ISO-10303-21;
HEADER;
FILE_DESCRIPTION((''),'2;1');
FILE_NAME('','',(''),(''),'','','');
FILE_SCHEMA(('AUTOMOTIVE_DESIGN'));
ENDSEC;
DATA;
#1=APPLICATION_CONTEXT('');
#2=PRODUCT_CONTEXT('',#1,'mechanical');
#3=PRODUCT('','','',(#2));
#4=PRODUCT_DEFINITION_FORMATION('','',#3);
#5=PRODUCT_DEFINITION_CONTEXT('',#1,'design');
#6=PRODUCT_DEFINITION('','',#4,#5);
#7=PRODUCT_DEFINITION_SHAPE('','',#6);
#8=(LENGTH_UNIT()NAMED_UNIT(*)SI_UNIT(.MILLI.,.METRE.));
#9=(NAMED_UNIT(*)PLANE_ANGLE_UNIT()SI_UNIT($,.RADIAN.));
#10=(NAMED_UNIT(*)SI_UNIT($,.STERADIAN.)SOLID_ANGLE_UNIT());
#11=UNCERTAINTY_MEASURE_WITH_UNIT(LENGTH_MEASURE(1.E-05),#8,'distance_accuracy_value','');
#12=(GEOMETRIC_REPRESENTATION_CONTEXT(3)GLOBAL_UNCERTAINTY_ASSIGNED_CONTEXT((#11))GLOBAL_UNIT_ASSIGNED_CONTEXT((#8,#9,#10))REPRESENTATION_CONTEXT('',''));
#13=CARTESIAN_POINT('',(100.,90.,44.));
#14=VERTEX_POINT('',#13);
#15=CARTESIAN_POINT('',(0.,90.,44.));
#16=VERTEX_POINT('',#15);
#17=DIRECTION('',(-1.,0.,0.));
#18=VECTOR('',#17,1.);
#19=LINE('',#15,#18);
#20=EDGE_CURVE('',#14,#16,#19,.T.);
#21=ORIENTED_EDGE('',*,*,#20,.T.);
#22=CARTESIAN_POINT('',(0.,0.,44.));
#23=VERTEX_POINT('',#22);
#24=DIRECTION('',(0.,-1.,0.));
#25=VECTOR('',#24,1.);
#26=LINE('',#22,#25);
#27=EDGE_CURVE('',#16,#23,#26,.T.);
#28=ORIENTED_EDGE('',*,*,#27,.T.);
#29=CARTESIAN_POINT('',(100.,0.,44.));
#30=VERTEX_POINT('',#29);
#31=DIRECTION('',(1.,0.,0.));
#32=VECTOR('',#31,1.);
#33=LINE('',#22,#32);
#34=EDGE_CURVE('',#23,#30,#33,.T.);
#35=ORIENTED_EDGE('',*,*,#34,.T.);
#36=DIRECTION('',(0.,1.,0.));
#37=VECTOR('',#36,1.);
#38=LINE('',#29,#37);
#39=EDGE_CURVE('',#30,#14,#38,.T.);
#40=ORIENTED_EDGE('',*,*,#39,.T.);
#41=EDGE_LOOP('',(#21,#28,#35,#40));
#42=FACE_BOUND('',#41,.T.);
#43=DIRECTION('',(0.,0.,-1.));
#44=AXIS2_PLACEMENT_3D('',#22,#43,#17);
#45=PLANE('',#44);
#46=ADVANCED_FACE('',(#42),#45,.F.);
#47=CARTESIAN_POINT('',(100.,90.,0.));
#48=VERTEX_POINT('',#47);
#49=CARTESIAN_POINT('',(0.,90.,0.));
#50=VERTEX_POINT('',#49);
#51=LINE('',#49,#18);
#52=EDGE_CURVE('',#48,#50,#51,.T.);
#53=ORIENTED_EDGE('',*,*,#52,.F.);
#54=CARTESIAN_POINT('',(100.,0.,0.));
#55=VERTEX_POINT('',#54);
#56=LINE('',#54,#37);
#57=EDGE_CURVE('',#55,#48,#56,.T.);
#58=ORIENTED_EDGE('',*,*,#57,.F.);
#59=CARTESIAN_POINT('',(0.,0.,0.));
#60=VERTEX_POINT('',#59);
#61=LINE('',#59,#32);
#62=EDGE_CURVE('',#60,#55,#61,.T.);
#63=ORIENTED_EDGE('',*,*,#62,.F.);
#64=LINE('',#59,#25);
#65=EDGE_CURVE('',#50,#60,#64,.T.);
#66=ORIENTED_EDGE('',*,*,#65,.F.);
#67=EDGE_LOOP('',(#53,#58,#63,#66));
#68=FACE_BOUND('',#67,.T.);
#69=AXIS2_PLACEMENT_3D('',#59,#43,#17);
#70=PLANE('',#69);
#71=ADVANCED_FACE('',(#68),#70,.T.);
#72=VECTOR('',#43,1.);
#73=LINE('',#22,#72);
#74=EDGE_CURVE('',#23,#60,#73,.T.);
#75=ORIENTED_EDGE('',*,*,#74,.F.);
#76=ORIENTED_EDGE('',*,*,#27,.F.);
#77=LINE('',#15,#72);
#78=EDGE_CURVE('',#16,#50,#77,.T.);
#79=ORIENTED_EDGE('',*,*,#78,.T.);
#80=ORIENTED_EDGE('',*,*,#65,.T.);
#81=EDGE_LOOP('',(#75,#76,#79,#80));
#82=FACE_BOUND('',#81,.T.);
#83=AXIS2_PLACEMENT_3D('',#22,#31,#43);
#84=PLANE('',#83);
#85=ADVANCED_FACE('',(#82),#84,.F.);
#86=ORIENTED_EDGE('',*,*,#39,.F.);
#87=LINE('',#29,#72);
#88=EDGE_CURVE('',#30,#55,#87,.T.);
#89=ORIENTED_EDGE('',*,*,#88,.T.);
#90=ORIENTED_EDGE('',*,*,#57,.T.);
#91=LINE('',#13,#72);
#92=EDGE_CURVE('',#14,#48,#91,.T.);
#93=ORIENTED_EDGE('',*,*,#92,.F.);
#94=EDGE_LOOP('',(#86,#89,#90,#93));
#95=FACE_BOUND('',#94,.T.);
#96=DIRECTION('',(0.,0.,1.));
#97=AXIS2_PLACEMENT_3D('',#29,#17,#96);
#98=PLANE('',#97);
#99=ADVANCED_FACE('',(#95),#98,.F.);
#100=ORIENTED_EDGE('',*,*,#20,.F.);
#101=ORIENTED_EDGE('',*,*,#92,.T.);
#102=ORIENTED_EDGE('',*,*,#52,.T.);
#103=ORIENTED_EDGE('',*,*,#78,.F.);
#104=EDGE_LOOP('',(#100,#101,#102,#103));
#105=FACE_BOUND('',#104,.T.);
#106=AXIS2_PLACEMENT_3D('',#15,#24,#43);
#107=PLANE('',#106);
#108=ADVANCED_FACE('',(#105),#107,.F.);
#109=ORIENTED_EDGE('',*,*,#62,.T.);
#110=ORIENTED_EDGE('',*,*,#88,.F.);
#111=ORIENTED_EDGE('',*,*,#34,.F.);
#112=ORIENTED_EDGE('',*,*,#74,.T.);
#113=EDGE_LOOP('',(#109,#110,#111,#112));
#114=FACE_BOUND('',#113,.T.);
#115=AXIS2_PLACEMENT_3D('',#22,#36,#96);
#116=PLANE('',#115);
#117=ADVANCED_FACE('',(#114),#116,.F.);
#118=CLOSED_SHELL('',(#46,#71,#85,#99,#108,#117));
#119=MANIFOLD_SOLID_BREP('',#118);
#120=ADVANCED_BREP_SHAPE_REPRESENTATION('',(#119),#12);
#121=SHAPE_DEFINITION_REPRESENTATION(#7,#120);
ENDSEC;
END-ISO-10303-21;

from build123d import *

# Parameters (mm, degrees)
SKETCH1_W     = 100
SKETCH1_H     = 90
PROFILE_DEPTH = 44


with BuildPart() as part:
    # Sketch1 → Profile (new body)
    with BuildSketch(Plane.XY):
        with Locations((50, 45)):
            Rectangle(SKETCH1_W, SKETCH1_H)
    extrude(amount=PROFILE_DEPTH)


solid = part.part
